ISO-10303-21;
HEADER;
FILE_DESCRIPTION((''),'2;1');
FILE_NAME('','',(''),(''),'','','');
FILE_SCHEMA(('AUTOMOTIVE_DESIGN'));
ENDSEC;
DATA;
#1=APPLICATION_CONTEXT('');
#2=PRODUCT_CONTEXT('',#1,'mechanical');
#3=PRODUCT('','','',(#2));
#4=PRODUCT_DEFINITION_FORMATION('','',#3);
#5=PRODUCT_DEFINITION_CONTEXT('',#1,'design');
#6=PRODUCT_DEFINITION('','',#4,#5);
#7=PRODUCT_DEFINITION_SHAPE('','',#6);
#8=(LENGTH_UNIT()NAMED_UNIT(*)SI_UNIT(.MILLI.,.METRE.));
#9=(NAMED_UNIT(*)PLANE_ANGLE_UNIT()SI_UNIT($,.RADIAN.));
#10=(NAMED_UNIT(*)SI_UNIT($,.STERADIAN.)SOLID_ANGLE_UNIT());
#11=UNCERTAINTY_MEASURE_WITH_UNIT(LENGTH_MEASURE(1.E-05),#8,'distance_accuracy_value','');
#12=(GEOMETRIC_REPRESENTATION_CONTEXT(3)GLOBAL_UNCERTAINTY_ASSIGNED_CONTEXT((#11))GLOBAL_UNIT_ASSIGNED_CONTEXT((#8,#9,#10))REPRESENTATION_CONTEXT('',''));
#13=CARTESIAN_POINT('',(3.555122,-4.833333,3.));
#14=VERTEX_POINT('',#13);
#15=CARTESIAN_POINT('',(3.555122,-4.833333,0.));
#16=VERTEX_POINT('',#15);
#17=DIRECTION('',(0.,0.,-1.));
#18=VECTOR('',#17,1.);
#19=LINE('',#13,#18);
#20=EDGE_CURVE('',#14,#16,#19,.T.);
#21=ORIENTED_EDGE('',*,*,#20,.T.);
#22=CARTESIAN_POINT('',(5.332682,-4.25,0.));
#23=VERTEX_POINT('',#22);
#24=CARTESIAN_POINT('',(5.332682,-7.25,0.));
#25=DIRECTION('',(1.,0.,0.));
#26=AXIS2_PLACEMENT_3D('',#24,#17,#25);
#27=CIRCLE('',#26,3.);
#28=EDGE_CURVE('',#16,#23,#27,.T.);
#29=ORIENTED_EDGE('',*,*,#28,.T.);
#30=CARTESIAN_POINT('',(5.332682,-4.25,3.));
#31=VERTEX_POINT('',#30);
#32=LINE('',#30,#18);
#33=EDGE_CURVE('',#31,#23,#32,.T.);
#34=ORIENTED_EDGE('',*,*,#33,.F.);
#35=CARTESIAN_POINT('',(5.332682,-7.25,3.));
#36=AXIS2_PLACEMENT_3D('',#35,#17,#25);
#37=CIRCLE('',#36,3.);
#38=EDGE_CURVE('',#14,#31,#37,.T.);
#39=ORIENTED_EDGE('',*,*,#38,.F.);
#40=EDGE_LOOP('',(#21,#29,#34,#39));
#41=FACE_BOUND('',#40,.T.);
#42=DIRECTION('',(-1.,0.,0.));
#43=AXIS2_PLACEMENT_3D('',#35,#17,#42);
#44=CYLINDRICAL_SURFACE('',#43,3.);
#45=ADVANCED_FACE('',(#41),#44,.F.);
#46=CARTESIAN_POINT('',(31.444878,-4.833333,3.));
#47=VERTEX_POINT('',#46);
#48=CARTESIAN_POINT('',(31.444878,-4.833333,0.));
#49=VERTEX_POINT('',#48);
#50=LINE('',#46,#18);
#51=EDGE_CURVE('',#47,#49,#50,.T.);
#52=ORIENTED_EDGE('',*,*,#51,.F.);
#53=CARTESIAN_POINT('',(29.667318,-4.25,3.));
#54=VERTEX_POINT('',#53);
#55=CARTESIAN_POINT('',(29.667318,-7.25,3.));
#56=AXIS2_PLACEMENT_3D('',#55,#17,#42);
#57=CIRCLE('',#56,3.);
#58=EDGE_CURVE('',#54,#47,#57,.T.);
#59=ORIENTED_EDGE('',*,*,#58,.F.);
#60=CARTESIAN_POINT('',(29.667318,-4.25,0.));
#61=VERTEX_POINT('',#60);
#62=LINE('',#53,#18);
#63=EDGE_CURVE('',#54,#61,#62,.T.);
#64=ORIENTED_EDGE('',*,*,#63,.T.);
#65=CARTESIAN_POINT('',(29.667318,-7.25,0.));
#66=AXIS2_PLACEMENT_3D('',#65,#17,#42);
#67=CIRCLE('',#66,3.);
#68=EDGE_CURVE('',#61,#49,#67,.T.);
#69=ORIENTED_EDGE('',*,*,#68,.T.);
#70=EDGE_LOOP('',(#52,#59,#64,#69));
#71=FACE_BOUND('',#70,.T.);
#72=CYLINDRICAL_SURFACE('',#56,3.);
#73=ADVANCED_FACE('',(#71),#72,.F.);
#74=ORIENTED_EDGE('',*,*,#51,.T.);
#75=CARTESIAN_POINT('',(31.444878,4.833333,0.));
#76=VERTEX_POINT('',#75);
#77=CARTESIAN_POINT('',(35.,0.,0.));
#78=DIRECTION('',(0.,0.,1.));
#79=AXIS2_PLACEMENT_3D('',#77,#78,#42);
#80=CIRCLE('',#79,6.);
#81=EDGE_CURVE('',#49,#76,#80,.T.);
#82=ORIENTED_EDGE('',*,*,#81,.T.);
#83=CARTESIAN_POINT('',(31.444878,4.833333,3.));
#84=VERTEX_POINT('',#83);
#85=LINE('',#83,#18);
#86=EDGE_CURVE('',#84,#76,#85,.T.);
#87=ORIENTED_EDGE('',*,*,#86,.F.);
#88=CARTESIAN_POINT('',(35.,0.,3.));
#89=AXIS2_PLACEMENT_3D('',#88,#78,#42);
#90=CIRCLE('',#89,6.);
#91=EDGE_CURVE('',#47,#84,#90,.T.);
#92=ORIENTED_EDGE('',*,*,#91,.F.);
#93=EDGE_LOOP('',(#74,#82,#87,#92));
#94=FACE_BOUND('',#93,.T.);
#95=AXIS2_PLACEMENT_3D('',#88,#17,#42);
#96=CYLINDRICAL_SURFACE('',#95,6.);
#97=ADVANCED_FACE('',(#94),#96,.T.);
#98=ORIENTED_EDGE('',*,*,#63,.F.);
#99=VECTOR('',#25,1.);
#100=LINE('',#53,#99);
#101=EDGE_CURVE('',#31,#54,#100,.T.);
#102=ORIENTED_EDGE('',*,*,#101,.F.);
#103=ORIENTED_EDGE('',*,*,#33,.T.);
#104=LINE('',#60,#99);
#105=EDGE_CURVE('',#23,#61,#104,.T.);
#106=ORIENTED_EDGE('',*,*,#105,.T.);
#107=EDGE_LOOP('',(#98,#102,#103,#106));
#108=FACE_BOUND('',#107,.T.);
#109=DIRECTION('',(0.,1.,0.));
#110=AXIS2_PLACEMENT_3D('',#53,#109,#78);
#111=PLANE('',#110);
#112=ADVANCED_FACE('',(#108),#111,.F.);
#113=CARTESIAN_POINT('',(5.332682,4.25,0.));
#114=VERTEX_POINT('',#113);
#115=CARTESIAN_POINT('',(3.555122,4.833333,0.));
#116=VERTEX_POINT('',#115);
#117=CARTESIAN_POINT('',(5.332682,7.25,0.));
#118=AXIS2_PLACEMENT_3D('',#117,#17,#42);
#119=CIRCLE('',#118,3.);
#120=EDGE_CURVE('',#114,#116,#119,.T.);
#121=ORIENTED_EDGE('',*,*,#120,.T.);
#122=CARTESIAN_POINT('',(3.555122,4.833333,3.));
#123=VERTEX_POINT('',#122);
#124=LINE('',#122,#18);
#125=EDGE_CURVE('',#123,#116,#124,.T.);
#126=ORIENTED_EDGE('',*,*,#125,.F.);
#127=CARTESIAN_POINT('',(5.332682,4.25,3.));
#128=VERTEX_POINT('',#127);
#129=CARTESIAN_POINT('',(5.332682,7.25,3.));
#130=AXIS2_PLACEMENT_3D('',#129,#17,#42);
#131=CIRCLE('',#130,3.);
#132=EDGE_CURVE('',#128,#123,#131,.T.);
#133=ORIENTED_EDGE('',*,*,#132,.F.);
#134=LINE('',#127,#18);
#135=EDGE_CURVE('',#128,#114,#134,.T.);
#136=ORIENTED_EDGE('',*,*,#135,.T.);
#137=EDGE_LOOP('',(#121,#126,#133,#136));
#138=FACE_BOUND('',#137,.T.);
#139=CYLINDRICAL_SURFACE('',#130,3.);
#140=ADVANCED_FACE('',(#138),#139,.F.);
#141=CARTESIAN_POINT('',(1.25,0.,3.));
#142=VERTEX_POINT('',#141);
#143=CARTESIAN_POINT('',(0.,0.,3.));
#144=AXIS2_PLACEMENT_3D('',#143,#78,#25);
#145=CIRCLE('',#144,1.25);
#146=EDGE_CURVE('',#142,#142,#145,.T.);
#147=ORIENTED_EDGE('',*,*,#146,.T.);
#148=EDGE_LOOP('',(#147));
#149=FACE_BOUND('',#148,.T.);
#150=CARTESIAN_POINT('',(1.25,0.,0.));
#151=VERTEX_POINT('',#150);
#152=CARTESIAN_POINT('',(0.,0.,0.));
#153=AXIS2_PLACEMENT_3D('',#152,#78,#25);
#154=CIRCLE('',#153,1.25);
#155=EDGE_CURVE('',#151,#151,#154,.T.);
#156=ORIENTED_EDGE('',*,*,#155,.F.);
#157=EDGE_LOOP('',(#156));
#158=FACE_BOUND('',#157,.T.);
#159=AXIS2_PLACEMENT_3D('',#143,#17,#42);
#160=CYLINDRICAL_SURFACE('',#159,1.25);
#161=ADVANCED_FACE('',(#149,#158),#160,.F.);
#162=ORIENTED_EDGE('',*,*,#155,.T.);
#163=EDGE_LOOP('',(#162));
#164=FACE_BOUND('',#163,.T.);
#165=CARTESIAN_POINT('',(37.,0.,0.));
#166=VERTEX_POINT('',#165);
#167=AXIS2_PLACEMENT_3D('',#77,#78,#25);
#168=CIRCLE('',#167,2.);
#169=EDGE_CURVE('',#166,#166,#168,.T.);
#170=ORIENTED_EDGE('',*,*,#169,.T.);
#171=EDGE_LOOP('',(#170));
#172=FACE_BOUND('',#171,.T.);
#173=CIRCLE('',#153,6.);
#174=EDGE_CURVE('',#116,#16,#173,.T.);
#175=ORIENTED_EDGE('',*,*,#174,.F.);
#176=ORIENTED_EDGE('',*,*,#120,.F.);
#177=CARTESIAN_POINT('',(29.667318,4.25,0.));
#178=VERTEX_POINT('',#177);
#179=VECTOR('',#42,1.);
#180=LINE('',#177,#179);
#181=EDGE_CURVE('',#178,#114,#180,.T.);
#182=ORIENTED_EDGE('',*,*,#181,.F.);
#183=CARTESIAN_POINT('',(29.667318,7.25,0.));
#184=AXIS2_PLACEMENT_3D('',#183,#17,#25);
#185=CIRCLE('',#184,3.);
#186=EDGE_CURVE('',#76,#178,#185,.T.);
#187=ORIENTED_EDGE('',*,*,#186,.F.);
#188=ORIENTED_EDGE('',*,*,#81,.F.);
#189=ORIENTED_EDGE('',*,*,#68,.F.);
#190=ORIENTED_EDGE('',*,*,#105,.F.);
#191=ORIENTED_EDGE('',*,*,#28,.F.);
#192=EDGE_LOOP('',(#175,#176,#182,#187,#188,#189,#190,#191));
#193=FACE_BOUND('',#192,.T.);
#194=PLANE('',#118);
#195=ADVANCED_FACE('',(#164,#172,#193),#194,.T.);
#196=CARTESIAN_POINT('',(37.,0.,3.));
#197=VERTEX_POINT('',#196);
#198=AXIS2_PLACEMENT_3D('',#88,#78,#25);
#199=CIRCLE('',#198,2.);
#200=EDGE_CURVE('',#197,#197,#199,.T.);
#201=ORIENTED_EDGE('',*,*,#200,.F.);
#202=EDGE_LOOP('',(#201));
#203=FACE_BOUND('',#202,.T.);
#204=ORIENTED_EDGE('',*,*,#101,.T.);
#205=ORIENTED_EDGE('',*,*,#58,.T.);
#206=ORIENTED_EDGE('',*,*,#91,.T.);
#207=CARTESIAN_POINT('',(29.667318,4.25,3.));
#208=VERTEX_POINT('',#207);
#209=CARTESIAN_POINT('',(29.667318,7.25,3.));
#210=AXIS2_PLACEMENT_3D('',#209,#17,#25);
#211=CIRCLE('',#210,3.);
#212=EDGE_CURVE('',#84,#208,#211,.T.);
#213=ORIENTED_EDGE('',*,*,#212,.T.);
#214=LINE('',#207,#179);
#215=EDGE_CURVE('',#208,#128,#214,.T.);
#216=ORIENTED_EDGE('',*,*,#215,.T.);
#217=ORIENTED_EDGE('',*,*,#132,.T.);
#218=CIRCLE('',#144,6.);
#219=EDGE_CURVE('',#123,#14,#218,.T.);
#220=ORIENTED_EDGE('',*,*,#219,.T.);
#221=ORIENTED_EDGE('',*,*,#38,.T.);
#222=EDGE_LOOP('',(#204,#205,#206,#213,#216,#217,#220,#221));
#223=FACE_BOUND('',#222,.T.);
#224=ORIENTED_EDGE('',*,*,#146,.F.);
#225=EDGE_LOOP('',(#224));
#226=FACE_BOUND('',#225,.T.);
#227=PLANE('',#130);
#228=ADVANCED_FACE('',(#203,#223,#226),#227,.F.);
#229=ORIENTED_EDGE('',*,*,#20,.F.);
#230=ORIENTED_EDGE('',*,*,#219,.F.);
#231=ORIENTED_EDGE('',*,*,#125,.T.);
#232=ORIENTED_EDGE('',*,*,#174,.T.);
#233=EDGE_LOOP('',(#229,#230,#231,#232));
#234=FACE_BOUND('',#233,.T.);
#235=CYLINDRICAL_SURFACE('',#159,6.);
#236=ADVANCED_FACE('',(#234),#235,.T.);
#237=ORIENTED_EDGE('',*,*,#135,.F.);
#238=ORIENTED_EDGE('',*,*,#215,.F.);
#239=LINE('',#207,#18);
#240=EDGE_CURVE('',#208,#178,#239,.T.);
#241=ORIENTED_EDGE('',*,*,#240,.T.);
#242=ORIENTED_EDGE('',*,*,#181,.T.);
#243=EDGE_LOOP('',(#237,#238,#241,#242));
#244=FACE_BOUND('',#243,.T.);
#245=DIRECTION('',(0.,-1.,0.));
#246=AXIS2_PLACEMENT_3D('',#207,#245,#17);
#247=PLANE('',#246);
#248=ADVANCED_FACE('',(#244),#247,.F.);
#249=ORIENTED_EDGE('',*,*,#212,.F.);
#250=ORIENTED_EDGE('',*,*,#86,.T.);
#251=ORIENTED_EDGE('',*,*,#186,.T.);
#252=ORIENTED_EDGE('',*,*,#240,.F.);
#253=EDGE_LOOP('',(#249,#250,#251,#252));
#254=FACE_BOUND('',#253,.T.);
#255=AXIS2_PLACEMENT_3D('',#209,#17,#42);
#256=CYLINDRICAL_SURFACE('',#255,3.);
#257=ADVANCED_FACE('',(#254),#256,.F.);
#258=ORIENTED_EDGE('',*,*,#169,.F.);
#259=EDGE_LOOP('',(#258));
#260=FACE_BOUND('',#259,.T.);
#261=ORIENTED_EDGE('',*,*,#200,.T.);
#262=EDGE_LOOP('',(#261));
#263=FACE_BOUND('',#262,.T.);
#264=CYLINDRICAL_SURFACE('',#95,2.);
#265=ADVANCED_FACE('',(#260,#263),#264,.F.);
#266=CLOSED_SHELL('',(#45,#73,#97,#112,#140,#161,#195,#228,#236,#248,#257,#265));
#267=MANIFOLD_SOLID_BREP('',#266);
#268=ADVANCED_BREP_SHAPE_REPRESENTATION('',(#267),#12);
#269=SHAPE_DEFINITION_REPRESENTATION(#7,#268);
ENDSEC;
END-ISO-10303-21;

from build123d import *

# Parameters (mm, degrees)
SKETCH_1_R      = 1.25
SKETCH_1_R_2    = 2
EXTRUDE_1_DEPTH = 3


with BuildPart() as part:
    # 草图1 → 凸台-拉伸1 (new body)
    with BuildSketch(Plane.XY):
        with BuildLine():
            Line((29.667317748, 4.25), (5.332682252, 4.25))
            ThreePointArc((5.332682252, 4.25), (4.397267905, 4.399561437), (3.555121501, 4.833333333))
            ThreePointArc((3.555121501, 4.833333333), (-6, 0), (3.555121501, -4.833333333))
            ThreePointArc((3.555121501, -4.833333333), (4.397267905, -4.399561437), (5.332682252, -4.25))
            Line((5.332682252, -4.25), (29.667317748, -4.25))
            ThreePointArc((29.667317748, -4.25), (30.602732095, -4.399561437), (31.444878499, -4.833333333))
            ThreePointArc((31.444878499, -4.833333333), (41, 0), (31.444878499, 4.833333333))
            ThreePointArc((31.444878499, 4.833333333), (30.602732095, 4.399561437), (29.667317748, 4.25))
        make_face()
        Circle(SKETCH_1_R, mode=Mode.SUBTRACT)
        with Locations((35, 0)):
            Circle(SKETCH_1_R_2, mode=Mode.SUBTRACT)
    extrude(amount=EXTRUDE_1_DEPTH)


solid = part.part
